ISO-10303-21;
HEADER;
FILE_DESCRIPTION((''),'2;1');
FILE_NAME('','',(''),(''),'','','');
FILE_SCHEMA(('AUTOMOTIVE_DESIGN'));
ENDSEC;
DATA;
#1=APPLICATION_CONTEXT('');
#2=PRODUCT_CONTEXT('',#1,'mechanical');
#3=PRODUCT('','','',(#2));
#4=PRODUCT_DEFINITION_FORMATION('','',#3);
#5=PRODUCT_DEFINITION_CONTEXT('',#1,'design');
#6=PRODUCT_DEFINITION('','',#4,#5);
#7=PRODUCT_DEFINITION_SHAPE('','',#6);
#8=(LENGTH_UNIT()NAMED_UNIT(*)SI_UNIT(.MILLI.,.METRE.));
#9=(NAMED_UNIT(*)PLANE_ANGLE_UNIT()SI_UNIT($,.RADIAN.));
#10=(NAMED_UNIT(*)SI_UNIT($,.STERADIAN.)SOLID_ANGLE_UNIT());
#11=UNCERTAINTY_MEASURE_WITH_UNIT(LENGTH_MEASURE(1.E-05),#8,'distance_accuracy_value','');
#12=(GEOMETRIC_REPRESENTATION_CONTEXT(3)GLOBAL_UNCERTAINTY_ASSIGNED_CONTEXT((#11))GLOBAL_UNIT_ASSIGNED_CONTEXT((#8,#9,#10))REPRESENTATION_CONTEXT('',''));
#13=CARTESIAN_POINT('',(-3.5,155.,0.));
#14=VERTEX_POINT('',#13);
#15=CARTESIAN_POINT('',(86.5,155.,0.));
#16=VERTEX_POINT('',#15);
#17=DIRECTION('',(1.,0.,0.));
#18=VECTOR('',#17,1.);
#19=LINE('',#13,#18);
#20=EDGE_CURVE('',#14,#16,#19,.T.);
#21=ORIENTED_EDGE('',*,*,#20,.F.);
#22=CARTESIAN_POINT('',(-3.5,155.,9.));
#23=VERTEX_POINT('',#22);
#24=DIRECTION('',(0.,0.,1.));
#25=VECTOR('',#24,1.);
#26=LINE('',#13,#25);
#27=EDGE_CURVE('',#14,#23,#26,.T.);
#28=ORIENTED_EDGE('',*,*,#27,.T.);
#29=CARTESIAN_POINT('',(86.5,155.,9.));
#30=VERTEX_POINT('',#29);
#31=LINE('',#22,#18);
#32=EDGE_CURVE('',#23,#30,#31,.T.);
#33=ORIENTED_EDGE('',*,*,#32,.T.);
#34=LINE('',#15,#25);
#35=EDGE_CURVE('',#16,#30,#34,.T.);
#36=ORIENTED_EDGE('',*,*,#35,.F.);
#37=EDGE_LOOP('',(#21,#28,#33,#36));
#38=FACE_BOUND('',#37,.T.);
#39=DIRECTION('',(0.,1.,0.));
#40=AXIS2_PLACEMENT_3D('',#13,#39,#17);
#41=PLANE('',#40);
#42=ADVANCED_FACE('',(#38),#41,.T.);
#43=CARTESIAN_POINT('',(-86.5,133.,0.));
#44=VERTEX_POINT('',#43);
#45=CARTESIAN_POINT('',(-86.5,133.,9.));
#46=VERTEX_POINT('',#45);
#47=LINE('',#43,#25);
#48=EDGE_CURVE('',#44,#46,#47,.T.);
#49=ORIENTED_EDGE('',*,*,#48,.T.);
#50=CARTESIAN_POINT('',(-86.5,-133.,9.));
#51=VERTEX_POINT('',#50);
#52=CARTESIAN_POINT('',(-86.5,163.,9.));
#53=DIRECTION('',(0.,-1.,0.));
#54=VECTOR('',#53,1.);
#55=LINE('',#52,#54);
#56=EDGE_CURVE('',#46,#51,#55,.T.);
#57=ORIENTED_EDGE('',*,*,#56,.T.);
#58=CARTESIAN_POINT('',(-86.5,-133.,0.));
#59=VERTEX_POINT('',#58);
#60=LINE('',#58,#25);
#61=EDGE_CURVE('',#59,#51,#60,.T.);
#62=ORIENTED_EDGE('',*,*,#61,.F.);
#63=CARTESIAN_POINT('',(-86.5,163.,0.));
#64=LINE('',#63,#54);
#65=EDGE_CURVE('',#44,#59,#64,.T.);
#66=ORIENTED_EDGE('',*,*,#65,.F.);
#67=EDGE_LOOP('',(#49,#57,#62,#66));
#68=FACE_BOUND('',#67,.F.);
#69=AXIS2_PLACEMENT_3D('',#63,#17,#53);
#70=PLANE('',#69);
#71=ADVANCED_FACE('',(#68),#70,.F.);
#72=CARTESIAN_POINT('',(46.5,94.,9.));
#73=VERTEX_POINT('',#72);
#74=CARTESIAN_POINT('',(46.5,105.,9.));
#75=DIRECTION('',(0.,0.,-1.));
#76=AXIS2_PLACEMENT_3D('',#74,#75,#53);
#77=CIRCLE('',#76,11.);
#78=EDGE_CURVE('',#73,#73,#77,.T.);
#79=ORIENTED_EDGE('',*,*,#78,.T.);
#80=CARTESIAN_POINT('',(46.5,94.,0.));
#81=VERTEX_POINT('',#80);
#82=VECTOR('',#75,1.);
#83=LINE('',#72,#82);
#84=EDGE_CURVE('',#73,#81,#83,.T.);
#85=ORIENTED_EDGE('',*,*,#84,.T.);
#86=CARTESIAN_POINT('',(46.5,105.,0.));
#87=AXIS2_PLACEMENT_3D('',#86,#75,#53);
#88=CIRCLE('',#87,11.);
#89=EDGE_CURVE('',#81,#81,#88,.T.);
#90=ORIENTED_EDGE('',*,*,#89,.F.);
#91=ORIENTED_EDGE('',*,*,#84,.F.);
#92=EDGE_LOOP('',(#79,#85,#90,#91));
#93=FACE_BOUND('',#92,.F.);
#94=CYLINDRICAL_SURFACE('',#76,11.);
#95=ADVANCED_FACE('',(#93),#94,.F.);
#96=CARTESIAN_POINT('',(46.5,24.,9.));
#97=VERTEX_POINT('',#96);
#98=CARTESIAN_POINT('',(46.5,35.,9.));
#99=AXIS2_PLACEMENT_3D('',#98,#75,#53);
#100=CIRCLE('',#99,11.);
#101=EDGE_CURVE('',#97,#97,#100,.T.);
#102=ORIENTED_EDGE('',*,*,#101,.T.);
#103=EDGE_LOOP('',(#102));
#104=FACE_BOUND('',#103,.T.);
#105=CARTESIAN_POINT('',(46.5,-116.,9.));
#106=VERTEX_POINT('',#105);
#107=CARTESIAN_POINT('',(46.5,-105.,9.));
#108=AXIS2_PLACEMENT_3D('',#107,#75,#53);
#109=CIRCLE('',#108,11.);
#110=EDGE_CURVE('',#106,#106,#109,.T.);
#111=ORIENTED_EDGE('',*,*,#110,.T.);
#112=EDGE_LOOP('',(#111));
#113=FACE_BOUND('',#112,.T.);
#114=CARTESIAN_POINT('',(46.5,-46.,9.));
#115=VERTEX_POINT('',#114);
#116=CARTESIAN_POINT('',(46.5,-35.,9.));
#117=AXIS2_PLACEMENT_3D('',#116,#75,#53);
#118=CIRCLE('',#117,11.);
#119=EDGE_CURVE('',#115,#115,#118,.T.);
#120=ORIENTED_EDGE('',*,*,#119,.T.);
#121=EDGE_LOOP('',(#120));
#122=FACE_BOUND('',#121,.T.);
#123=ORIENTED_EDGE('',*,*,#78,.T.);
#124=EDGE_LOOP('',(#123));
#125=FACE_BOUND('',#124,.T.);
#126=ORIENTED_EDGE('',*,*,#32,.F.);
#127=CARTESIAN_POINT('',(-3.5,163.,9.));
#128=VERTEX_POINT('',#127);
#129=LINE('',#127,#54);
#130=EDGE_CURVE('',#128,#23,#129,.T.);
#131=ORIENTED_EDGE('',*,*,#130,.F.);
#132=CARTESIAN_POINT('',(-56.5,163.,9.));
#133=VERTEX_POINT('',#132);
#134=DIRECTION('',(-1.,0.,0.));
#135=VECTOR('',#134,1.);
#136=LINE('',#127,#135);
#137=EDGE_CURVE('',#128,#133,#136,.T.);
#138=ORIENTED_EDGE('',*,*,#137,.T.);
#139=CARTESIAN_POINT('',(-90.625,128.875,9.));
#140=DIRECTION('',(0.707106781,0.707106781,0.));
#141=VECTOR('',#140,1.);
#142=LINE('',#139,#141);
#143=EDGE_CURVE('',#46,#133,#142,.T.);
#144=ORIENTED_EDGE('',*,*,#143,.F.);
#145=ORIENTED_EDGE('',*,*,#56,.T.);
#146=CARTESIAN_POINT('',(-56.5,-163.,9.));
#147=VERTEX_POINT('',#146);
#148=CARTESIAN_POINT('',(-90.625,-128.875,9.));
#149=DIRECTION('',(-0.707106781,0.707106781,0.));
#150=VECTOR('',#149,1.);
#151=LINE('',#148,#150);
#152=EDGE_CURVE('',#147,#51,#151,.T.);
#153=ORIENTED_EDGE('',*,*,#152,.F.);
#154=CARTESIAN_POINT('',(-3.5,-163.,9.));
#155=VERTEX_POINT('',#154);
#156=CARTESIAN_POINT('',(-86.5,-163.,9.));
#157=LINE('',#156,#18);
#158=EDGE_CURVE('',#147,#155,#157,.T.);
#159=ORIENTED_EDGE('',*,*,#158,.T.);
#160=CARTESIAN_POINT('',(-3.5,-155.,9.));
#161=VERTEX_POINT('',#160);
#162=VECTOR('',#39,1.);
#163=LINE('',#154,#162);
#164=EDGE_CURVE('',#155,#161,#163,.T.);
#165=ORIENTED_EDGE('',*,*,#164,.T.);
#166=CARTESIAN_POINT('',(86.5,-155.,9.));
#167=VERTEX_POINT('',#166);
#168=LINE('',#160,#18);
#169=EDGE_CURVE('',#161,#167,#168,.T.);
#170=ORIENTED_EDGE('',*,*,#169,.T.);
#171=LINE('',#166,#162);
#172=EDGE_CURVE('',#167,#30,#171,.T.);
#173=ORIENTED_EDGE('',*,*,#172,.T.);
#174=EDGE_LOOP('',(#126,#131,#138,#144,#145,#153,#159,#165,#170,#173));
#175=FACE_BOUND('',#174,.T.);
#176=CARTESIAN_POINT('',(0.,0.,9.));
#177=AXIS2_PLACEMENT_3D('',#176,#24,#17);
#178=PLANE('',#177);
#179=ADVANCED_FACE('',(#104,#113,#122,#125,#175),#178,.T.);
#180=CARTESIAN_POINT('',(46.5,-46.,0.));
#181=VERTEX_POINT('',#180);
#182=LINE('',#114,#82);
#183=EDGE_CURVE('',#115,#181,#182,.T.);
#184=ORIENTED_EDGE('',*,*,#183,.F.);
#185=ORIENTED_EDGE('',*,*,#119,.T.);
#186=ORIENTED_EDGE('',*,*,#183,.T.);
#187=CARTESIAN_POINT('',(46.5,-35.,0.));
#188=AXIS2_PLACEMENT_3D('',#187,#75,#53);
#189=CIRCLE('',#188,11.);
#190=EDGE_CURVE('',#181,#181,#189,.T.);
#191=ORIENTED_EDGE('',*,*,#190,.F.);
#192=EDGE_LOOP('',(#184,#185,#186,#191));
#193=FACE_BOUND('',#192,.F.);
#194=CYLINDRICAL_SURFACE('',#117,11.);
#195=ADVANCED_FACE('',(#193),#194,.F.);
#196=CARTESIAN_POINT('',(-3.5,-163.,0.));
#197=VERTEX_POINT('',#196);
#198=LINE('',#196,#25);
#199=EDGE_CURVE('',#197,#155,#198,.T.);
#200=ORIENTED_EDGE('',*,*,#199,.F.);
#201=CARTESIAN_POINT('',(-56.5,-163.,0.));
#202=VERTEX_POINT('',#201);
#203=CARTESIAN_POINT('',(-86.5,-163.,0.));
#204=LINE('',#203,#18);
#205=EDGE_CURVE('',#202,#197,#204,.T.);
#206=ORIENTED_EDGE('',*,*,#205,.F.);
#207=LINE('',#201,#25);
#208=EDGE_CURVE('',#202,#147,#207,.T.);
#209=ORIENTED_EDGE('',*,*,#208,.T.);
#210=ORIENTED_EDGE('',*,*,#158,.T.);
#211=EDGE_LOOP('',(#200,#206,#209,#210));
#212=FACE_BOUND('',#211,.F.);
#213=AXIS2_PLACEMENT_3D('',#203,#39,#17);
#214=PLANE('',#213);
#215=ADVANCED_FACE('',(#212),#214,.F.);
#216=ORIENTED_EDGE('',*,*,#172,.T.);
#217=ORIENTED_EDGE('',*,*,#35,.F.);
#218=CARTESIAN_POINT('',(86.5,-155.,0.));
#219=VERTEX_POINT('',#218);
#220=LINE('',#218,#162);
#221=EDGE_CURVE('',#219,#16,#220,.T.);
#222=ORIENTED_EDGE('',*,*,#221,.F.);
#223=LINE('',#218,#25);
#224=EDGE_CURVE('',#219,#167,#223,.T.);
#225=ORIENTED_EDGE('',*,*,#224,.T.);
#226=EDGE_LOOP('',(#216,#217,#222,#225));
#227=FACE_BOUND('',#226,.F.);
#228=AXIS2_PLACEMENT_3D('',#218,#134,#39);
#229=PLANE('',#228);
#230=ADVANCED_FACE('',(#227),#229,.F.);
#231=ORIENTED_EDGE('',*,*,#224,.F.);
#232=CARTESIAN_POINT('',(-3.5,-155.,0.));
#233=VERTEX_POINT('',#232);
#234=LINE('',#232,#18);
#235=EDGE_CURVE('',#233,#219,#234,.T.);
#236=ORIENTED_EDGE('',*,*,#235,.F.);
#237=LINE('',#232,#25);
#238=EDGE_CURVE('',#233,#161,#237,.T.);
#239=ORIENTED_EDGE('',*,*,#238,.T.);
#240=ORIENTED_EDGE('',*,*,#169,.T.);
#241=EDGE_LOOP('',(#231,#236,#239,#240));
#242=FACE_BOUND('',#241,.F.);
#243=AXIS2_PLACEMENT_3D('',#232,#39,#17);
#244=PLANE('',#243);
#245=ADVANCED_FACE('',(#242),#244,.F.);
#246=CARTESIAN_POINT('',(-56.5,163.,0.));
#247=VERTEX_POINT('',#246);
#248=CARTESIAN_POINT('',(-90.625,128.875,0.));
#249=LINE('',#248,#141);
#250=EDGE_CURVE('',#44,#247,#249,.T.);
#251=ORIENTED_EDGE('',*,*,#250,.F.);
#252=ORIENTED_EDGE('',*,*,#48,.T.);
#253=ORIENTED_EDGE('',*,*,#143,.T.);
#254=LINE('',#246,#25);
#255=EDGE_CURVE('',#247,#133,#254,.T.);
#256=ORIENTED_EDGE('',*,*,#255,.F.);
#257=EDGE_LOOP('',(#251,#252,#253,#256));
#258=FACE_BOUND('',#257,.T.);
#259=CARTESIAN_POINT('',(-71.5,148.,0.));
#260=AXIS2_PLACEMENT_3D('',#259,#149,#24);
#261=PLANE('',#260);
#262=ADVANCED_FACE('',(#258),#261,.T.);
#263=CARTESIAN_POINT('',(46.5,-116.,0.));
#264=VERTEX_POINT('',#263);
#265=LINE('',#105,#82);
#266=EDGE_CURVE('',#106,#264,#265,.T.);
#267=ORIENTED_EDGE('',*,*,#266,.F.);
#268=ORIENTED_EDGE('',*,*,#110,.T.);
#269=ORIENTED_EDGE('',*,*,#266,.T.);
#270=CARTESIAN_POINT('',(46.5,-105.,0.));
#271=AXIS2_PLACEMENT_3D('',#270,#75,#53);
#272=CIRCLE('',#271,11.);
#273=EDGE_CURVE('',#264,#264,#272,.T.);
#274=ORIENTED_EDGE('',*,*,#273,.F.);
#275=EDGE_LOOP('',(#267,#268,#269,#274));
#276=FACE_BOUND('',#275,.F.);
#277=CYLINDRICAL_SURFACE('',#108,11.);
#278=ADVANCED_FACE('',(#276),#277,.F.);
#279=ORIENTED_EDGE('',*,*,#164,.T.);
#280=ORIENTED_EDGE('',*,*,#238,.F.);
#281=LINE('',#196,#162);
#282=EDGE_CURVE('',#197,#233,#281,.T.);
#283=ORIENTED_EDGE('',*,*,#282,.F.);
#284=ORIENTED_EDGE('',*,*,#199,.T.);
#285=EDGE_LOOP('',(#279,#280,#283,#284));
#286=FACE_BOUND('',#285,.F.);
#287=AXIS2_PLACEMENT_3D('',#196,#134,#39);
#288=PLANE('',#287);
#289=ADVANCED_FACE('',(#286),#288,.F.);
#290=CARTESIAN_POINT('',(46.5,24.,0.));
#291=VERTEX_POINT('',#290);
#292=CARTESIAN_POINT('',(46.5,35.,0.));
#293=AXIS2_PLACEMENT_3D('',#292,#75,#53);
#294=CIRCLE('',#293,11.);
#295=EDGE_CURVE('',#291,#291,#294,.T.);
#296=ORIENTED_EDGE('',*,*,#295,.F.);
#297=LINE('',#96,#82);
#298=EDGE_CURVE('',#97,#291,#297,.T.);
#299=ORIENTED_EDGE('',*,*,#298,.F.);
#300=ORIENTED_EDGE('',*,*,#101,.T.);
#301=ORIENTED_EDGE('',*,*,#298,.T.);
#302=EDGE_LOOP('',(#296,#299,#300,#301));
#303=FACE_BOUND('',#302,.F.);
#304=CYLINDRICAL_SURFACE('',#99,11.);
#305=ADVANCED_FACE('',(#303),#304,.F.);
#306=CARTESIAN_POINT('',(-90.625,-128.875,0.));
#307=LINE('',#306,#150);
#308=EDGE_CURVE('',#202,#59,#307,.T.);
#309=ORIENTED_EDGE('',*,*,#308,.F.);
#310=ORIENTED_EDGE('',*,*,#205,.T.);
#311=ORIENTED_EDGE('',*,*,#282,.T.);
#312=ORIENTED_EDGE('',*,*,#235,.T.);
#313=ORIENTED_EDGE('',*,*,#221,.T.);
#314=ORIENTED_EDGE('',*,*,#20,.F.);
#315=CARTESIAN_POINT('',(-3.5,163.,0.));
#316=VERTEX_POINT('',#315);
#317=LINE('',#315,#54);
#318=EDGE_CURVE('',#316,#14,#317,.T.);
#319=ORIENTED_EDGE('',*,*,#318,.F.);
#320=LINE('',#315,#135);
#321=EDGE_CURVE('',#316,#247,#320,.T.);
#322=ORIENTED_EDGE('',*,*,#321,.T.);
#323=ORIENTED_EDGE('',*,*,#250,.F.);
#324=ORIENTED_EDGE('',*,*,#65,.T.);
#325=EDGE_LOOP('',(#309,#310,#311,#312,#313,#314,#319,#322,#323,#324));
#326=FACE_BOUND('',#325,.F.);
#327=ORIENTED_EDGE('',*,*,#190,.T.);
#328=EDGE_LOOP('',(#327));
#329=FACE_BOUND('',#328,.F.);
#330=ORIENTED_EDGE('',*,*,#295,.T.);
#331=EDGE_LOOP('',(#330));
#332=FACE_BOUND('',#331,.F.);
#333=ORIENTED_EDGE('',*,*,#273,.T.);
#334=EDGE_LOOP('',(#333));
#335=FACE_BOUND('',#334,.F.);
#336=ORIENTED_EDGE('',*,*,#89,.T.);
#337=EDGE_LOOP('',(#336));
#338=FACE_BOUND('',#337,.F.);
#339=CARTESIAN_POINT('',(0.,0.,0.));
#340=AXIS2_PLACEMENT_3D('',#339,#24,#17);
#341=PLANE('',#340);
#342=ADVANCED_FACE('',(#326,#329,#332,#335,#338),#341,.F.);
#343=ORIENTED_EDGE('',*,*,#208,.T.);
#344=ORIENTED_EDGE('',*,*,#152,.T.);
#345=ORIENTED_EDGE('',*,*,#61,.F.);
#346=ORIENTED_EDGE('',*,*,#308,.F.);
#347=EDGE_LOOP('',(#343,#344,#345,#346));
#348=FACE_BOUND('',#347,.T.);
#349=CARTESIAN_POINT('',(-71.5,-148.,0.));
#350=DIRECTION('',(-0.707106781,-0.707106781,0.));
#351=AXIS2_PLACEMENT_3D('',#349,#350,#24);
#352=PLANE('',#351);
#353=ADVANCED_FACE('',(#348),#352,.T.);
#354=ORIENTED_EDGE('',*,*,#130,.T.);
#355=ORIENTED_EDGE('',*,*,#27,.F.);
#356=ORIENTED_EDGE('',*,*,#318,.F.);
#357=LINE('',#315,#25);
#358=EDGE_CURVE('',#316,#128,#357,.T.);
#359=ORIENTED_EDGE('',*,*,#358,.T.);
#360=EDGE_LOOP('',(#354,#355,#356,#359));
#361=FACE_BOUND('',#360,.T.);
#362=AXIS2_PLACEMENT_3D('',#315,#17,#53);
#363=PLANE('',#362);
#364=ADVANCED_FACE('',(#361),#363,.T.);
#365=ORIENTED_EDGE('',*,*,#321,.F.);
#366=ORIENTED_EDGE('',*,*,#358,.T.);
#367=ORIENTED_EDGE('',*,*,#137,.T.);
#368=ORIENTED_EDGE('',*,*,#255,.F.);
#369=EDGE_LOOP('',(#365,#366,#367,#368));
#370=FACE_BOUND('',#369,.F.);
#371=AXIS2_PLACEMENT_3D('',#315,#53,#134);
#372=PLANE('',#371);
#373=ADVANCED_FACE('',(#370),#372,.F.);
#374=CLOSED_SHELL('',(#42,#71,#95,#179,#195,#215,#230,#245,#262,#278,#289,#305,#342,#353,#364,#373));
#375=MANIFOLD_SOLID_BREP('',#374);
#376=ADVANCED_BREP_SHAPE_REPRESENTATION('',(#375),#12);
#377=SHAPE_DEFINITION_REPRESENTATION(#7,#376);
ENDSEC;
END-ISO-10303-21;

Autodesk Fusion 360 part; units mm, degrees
sketch "スケッチ1" plane through (0, 0, 0) normal (0, 0, 1) x (1, 0, 0)
  line L0 (-3.5, 163) -> (-86.5, 163)
  line L1 (-86.5, 163) -> (-86.5, -163)
  line L2 (-86.5, -163) -> (-3.5, -163)
  line L3 (86.5, -155) -> (86.5, 155)
  line L4 (82.2546, 155) -> (-86.5, -163) construction
  line L5 (-86.5, 163) -> (82.2546, -155) construction
  line L6 (-3.5, 163) -> (-3.5, 155)
  line L7 (-3.5, 155) -> (86.5, 155)
  line L8 (-3.5, -163) -> (-3.5, -155)
  line L9 (-3.5, -155) -> (86.5, -155)
  dimension "d2" = 326
extrude "押し出し1" add sketch "スケッチ1" along normal blind 9
chamfer "面取り1" distance 30 angle 45 2 edges at (-86.5, -163, 4.5) (-86.5, 163, 4.5)
sketch "スケッチ2" plane through (0, 0, 9) normal (0, 0, 1) x (-1, 0, 0)
  line L0 (56.5, -163) -> (86.5, -133)
  line L1 (86.5, -133) -> (86.5, 133)
  line L2 (86.5, 133) -> (56.5, 163)
  line L3 (56.5, 163) -> (3.5, 163)
  line L4 (3.5, 163) -> (3.5, 155)
  line L5 (3.5, 155) -> (-86.5, 155)
  line L6 (-86.5, 155) -> (-86.5, -155)
  line L7 (-86.5, -155) -> (3.5, -155)
  line L8 (3.5, -155) -> (3.5, -163)
  line L9 (3.5, -163) -> (56.5, -163)
  line L10 (-86.5, -155) -> (-46.5, -155) construction
  line L11 (-46.5, -155) -> (-46.5, -105) construction
  line L12 (-46.5, -105) -> (-86.5, -105) construction
  line L13 (-86.5, -105) -> (-86.5, -155) construction
  line L14 (-46.5, -105) -> (-46.5, -35) construction
  line L15 (-86.5, 0) -> (101.7247, 0)
  point P0 (-46.5, -105)
  point P1 (-46.5, -35)
  point P2 (-46.5, 105)
  point P3 (-46.5, 35)
  dimension "d10" = 40
  dimension "d11" = 50
  dimension "d12" = 70
hole "穴1" at (46.5, 105, 9) at (46.5, 35, 9) at (46.5, -35, 9) at (46.5, -105, 9) direction (0, 0, -1) diameter 22 end through all
